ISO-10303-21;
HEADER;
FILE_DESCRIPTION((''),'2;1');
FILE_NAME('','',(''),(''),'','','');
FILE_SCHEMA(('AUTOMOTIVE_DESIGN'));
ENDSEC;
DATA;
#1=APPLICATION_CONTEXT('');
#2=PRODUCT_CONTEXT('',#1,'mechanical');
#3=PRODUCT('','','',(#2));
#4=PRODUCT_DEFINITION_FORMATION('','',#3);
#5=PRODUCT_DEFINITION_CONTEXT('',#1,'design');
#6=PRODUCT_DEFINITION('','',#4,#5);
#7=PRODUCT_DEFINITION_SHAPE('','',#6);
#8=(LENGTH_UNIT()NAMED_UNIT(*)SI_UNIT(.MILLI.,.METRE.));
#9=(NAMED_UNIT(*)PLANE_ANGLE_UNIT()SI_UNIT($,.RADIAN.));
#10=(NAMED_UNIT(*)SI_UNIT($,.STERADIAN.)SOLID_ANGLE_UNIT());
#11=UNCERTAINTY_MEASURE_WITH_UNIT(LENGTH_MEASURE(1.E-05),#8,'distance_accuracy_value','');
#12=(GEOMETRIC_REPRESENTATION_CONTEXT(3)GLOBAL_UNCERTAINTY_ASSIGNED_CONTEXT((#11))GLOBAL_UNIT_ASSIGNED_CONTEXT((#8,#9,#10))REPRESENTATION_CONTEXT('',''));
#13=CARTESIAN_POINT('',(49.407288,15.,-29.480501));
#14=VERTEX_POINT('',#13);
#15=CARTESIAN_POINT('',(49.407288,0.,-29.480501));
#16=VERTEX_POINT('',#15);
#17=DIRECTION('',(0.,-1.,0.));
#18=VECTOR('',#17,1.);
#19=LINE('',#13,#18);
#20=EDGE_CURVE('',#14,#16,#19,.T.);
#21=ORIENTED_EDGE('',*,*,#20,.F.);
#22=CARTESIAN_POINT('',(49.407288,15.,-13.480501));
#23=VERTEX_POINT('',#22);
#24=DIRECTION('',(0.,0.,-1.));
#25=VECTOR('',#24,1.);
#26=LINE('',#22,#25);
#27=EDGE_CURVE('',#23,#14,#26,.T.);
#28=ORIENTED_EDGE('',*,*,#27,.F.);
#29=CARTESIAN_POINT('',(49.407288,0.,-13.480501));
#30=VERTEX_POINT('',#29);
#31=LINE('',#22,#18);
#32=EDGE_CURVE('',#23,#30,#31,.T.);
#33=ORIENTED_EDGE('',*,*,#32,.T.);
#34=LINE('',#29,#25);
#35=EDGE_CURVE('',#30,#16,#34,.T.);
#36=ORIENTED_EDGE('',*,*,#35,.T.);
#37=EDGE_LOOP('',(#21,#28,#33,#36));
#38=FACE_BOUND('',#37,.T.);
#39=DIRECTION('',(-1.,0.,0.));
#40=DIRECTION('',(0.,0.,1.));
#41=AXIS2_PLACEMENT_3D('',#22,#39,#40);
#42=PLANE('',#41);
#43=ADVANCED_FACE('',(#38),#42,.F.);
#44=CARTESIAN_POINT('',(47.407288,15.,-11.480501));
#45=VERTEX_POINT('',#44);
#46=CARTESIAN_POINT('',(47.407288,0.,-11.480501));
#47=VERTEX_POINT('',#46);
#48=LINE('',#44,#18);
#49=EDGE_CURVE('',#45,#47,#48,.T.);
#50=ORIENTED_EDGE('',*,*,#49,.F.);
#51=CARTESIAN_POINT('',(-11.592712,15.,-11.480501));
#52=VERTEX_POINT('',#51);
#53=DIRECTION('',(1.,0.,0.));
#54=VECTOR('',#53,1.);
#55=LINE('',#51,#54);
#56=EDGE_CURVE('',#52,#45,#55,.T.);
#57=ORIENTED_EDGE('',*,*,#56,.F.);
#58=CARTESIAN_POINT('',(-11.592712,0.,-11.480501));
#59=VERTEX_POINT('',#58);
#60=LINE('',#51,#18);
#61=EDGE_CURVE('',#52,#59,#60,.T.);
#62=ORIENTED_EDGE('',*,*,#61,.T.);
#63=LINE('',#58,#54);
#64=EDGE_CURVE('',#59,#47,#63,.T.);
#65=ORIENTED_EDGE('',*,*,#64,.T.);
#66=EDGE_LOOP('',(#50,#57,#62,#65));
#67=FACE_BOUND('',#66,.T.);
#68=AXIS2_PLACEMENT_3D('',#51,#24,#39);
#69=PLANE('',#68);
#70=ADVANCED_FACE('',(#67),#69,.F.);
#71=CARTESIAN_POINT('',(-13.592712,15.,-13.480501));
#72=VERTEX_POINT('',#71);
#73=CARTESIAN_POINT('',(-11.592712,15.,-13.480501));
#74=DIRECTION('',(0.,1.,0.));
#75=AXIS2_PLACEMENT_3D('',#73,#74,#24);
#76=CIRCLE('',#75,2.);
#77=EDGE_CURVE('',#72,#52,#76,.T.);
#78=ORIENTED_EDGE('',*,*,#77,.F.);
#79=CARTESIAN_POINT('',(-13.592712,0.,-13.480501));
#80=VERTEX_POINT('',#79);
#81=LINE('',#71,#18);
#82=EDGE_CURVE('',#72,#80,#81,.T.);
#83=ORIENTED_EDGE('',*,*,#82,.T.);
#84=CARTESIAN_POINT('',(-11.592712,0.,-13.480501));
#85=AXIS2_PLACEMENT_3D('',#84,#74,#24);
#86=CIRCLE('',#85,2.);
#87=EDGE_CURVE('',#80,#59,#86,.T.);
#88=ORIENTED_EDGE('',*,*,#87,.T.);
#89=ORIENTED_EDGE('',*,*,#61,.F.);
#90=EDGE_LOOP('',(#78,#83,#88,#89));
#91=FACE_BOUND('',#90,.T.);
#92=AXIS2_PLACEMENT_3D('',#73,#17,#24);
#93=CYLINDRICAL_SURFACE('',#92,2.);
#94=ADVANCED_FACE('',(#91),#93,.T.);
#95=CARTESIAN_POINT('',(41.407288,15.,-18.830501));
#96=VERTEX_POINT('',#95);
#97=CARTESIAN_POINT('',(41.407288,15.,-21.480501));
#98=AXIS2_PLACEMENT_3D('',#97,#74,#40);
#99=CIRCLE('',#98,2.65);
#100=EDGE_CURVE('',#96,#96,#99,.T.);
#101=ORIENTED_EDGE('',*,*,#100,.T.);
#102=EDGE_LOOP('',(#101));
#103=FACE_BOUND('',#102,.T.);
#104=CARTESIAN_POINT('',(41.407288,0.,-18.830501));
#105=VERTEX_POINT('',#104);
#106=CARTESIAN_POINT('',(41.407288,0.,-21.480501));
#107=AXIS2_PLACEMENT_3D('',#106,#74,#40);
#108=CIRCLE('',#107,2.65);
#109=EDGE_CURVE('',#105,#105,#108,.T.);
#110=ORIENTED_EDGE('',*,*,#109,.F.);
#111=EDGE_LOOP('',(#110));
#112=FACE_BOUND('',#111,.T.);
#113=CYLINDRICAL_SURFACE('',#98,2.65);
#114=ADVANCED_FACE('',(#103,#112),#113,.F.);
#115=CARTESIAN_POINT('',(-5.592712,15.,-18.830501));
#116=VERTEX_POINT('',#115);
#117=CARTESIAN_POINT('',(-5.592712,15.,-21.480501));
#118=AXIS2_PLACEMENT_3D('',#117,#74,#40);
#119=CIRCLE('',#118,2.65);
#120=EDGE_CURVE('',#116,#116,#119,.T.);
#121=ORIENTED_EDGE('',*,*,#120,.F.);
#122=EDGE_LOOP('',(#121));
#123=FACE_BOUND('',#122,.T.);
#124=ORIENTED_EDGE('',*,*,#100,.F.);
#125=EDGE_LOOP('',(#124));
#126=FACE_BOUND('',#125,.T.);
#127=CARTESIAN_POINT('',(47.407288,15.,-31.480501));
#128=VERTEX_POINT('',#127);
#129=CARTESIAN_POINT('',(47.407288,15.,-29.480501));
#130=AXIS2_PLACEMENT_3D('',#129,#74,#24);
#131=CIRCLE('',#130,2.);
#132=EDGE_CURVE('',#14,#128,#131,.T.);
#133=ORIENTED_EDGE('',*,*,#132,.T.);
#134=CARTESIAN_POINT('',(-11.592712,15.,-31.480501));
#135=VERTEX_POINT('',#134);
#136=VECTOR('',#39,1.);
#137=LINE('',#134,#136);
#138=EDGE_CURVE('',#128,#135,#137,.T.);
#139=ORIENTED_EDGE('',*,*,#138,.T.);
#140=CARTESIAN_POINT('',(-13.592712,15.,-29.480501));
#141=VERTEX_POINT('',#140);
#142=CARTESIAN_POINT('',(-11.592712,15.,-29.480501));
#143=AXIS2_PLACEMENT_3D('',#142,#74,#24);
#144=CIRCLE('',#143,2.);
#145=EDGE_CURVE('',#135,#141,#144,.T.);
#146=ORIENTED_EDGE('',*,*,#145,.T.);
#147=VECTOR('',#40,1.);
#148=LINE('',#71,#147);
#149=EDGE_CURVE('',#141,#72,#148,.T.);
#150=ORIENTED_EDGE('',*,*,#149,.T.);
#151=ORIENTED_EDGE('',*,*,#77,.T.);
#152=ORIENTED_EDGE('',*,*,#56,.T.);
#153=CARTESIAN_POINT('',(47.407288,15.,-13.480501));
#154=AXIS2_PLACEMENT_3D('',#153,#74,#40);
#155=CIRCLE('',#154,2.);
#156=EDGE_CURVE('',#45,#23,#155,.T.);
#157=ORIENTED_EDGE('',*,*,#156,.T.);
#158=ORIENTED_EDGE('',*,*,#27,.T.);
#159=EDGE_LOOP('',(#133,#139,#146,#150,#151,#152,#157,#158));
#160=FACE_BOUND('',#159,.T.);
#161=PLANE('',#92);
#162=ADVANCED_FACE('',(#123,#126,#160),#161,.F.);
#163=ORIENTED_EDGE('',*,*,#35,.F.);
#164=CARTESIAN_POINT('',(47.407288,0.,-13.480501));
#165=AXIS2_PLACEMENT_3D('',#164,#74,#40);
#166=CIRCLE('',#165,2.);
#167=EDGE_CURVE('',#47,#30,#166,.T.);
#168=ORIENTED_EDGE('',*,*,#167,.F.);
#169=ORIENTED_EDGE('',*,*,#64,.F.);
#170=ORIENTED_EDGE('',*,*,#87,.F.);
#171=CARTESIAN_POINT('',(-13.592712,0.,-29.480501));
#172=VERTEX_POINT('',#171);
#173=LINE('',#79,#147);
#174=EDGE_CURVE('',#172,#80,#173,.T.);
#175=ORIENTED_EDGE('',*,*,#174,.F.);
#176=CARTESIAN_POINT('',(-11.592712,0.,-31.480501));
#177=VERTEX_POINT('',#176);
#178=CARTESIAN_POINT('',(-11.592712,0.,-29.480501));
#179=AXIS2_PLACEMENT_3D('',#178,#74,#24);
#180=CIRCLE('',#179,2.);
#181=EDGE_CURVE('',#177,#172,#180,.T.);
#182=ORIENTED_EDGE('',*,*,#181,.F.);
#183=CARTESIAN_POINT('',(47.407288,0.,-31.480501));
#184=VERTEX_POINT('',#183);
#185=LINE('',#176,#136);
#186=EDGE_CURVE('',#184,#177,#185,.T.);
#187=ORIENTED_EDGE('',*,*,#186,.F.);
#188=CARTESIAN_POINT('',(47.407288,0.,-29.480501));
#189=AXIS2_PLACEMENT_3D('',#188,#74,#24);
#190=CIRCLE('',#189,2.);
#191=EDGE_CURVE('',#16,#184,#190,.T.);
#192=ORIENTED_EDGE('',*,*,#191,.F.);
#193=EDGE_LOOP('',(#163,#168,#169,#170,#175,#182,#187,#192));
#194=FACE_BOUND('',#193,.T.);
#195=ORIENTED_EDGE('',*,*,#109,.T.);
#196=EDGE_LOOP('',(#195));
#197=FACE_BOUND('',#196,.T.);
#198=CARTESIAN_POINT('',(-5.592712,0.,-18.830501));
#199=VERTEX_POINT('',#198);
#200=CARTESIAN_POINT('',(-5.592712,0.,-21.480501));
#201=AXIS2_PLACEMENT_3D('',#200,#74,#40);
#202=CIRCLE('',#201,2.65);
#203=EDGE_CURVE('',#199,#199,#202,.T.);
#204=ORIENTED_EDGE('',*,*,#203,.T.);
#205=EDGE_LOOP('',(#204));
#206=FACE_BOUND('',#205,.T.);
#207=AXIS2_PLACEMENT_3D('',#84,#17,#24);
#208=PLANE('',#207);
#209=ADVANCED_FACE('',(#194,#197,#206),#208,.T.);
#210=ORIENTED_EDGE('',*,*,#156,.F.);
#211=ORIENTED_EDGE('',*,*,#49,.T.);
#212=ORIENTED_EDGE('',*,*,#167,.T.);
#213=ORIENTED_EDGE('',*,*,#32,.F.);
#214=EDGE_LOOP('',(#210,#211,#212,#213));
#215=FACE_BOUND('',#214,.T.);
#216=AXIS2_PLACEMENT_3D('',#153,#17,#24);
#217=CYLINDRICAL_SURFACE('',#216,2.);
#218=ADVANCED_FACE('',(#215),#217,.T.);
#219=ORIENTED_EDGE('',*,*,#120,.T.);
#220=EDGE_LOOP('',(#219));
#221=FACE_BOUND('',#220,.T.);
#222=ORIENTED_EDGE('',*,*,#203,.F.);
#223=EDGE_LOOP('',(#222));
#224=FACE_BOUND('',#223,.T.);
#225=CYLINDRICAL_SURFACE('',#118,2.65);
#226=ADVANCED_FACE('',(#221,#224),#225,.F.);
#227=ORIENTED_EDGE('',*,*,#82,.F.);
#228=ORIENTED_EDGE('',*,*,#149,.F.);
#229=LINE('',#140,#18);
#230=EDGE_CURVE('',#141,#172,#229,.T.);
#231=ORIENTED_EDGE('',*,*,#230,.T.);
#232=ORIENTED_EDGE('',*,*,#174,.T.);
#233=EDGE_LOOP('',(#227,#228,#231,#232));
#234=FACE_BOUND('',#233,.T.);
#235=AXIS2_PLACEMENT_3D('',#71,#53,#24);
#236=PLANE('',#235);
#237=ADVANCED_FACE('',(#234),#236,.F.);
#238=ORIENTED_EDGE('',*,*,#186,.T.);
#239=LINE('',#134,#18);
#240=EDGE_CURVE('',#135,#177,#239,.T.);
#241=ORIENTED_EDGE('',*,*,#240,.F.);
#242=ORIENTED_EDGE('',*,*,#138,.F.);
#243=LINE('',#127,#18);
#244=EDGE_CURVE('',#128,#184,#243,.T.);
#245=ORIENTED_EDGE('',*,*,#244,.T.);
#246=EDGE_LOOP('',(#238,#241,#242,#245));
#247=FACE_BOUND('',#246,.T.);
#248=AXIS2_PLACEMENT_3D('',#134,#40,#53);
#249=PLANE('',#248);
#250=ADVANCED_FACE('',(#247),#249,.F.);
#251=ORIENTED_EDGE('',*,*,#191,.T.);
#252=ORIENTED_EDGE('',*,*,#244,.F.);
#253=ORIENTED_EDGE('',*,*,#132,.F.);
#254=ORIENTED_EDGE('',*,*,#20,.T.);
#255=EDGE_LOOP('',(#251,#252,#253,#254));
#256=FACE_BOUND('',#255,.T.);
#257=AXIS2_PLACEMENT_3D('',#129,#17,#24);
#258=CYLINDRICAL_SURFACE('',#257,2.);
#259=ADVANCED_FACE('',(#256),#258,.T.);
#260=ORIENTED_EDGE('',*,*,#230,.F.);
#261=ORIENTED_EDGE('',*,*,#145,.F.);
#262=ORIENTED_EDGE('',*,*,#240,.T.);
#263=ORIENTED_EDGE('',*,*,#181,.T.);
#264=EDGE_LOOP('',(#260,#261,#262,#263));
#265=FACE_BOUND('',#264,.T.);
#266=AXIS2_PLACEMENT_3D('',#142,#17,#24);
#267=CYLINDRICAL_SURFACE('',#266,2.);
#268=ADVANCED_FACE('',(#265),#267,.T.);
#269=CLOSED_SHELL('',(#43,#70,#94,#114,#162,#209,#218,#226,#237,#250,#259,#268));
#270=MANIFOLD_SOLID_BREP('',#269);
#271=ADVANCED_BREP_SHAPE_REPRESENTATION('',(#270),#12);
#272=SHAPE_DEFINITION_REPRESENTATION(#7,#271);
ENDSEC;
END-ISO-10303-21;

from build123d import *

# Parameters (mm, degrees)
BOSS_EXTRUDE1_DEPTH  = 15
M5_CLEARANCE_HOLE1_D = 5.3


with BuildPart() as part:
    # Sketch1 → Boss-Extrude1 (new body)
    with BuildSketch(Plane(origin=(0, 0, 0), x_dir=(1, 0, 0), z_dir=(0, 1, 0))):
        with BuildLine():
            Line((-11.592711973, 11.480501142), (47.407288027, 11.480501142))
            ThreePointArc((47.407288027, 11.480501142), (48.82150159, 12.06628758), (49.407288027, 13.480501142))
            Line((49.407288027, 13.480501142), (49.407288027, 29.480501142))
            ThreePointArc((49.407288027, 29.480501142), (48.82150159, 30.894714705), (47.407288027, 31.480501142))
            Line((47.407288027, 31.480501142), (-11.592711973, 31.480501142))
            ThreePointArc((-11.592711973, 31.480501142), (-13.006925535, 30.894714705), (-13.592711973, 29.480501142))
            Line((-13.592711973, 29.480501142), (-13.592711973, 13.480501142))
            ThreePointArc((-13.592711973, 13.480501142), (-13.006925535, 12.06628758), (-11.592711973, 11.480501142))
        make_face()
    extrude(amount=BOSS_EXTRUDE1_DEPTH)

    # M5 Clearance Hole1 (through all)
    with Locations(Plane(origin=(0, 15, 0), x_dir=(1, 0, 0), z_dir=(0, 1, 0))):
        with Locations((-5.592711973, 21.480501142), (41.407288027, 21.480501142)):
            Hole(M5_CLEARANCE_HOLE1_D / 2)


solid = part.part
